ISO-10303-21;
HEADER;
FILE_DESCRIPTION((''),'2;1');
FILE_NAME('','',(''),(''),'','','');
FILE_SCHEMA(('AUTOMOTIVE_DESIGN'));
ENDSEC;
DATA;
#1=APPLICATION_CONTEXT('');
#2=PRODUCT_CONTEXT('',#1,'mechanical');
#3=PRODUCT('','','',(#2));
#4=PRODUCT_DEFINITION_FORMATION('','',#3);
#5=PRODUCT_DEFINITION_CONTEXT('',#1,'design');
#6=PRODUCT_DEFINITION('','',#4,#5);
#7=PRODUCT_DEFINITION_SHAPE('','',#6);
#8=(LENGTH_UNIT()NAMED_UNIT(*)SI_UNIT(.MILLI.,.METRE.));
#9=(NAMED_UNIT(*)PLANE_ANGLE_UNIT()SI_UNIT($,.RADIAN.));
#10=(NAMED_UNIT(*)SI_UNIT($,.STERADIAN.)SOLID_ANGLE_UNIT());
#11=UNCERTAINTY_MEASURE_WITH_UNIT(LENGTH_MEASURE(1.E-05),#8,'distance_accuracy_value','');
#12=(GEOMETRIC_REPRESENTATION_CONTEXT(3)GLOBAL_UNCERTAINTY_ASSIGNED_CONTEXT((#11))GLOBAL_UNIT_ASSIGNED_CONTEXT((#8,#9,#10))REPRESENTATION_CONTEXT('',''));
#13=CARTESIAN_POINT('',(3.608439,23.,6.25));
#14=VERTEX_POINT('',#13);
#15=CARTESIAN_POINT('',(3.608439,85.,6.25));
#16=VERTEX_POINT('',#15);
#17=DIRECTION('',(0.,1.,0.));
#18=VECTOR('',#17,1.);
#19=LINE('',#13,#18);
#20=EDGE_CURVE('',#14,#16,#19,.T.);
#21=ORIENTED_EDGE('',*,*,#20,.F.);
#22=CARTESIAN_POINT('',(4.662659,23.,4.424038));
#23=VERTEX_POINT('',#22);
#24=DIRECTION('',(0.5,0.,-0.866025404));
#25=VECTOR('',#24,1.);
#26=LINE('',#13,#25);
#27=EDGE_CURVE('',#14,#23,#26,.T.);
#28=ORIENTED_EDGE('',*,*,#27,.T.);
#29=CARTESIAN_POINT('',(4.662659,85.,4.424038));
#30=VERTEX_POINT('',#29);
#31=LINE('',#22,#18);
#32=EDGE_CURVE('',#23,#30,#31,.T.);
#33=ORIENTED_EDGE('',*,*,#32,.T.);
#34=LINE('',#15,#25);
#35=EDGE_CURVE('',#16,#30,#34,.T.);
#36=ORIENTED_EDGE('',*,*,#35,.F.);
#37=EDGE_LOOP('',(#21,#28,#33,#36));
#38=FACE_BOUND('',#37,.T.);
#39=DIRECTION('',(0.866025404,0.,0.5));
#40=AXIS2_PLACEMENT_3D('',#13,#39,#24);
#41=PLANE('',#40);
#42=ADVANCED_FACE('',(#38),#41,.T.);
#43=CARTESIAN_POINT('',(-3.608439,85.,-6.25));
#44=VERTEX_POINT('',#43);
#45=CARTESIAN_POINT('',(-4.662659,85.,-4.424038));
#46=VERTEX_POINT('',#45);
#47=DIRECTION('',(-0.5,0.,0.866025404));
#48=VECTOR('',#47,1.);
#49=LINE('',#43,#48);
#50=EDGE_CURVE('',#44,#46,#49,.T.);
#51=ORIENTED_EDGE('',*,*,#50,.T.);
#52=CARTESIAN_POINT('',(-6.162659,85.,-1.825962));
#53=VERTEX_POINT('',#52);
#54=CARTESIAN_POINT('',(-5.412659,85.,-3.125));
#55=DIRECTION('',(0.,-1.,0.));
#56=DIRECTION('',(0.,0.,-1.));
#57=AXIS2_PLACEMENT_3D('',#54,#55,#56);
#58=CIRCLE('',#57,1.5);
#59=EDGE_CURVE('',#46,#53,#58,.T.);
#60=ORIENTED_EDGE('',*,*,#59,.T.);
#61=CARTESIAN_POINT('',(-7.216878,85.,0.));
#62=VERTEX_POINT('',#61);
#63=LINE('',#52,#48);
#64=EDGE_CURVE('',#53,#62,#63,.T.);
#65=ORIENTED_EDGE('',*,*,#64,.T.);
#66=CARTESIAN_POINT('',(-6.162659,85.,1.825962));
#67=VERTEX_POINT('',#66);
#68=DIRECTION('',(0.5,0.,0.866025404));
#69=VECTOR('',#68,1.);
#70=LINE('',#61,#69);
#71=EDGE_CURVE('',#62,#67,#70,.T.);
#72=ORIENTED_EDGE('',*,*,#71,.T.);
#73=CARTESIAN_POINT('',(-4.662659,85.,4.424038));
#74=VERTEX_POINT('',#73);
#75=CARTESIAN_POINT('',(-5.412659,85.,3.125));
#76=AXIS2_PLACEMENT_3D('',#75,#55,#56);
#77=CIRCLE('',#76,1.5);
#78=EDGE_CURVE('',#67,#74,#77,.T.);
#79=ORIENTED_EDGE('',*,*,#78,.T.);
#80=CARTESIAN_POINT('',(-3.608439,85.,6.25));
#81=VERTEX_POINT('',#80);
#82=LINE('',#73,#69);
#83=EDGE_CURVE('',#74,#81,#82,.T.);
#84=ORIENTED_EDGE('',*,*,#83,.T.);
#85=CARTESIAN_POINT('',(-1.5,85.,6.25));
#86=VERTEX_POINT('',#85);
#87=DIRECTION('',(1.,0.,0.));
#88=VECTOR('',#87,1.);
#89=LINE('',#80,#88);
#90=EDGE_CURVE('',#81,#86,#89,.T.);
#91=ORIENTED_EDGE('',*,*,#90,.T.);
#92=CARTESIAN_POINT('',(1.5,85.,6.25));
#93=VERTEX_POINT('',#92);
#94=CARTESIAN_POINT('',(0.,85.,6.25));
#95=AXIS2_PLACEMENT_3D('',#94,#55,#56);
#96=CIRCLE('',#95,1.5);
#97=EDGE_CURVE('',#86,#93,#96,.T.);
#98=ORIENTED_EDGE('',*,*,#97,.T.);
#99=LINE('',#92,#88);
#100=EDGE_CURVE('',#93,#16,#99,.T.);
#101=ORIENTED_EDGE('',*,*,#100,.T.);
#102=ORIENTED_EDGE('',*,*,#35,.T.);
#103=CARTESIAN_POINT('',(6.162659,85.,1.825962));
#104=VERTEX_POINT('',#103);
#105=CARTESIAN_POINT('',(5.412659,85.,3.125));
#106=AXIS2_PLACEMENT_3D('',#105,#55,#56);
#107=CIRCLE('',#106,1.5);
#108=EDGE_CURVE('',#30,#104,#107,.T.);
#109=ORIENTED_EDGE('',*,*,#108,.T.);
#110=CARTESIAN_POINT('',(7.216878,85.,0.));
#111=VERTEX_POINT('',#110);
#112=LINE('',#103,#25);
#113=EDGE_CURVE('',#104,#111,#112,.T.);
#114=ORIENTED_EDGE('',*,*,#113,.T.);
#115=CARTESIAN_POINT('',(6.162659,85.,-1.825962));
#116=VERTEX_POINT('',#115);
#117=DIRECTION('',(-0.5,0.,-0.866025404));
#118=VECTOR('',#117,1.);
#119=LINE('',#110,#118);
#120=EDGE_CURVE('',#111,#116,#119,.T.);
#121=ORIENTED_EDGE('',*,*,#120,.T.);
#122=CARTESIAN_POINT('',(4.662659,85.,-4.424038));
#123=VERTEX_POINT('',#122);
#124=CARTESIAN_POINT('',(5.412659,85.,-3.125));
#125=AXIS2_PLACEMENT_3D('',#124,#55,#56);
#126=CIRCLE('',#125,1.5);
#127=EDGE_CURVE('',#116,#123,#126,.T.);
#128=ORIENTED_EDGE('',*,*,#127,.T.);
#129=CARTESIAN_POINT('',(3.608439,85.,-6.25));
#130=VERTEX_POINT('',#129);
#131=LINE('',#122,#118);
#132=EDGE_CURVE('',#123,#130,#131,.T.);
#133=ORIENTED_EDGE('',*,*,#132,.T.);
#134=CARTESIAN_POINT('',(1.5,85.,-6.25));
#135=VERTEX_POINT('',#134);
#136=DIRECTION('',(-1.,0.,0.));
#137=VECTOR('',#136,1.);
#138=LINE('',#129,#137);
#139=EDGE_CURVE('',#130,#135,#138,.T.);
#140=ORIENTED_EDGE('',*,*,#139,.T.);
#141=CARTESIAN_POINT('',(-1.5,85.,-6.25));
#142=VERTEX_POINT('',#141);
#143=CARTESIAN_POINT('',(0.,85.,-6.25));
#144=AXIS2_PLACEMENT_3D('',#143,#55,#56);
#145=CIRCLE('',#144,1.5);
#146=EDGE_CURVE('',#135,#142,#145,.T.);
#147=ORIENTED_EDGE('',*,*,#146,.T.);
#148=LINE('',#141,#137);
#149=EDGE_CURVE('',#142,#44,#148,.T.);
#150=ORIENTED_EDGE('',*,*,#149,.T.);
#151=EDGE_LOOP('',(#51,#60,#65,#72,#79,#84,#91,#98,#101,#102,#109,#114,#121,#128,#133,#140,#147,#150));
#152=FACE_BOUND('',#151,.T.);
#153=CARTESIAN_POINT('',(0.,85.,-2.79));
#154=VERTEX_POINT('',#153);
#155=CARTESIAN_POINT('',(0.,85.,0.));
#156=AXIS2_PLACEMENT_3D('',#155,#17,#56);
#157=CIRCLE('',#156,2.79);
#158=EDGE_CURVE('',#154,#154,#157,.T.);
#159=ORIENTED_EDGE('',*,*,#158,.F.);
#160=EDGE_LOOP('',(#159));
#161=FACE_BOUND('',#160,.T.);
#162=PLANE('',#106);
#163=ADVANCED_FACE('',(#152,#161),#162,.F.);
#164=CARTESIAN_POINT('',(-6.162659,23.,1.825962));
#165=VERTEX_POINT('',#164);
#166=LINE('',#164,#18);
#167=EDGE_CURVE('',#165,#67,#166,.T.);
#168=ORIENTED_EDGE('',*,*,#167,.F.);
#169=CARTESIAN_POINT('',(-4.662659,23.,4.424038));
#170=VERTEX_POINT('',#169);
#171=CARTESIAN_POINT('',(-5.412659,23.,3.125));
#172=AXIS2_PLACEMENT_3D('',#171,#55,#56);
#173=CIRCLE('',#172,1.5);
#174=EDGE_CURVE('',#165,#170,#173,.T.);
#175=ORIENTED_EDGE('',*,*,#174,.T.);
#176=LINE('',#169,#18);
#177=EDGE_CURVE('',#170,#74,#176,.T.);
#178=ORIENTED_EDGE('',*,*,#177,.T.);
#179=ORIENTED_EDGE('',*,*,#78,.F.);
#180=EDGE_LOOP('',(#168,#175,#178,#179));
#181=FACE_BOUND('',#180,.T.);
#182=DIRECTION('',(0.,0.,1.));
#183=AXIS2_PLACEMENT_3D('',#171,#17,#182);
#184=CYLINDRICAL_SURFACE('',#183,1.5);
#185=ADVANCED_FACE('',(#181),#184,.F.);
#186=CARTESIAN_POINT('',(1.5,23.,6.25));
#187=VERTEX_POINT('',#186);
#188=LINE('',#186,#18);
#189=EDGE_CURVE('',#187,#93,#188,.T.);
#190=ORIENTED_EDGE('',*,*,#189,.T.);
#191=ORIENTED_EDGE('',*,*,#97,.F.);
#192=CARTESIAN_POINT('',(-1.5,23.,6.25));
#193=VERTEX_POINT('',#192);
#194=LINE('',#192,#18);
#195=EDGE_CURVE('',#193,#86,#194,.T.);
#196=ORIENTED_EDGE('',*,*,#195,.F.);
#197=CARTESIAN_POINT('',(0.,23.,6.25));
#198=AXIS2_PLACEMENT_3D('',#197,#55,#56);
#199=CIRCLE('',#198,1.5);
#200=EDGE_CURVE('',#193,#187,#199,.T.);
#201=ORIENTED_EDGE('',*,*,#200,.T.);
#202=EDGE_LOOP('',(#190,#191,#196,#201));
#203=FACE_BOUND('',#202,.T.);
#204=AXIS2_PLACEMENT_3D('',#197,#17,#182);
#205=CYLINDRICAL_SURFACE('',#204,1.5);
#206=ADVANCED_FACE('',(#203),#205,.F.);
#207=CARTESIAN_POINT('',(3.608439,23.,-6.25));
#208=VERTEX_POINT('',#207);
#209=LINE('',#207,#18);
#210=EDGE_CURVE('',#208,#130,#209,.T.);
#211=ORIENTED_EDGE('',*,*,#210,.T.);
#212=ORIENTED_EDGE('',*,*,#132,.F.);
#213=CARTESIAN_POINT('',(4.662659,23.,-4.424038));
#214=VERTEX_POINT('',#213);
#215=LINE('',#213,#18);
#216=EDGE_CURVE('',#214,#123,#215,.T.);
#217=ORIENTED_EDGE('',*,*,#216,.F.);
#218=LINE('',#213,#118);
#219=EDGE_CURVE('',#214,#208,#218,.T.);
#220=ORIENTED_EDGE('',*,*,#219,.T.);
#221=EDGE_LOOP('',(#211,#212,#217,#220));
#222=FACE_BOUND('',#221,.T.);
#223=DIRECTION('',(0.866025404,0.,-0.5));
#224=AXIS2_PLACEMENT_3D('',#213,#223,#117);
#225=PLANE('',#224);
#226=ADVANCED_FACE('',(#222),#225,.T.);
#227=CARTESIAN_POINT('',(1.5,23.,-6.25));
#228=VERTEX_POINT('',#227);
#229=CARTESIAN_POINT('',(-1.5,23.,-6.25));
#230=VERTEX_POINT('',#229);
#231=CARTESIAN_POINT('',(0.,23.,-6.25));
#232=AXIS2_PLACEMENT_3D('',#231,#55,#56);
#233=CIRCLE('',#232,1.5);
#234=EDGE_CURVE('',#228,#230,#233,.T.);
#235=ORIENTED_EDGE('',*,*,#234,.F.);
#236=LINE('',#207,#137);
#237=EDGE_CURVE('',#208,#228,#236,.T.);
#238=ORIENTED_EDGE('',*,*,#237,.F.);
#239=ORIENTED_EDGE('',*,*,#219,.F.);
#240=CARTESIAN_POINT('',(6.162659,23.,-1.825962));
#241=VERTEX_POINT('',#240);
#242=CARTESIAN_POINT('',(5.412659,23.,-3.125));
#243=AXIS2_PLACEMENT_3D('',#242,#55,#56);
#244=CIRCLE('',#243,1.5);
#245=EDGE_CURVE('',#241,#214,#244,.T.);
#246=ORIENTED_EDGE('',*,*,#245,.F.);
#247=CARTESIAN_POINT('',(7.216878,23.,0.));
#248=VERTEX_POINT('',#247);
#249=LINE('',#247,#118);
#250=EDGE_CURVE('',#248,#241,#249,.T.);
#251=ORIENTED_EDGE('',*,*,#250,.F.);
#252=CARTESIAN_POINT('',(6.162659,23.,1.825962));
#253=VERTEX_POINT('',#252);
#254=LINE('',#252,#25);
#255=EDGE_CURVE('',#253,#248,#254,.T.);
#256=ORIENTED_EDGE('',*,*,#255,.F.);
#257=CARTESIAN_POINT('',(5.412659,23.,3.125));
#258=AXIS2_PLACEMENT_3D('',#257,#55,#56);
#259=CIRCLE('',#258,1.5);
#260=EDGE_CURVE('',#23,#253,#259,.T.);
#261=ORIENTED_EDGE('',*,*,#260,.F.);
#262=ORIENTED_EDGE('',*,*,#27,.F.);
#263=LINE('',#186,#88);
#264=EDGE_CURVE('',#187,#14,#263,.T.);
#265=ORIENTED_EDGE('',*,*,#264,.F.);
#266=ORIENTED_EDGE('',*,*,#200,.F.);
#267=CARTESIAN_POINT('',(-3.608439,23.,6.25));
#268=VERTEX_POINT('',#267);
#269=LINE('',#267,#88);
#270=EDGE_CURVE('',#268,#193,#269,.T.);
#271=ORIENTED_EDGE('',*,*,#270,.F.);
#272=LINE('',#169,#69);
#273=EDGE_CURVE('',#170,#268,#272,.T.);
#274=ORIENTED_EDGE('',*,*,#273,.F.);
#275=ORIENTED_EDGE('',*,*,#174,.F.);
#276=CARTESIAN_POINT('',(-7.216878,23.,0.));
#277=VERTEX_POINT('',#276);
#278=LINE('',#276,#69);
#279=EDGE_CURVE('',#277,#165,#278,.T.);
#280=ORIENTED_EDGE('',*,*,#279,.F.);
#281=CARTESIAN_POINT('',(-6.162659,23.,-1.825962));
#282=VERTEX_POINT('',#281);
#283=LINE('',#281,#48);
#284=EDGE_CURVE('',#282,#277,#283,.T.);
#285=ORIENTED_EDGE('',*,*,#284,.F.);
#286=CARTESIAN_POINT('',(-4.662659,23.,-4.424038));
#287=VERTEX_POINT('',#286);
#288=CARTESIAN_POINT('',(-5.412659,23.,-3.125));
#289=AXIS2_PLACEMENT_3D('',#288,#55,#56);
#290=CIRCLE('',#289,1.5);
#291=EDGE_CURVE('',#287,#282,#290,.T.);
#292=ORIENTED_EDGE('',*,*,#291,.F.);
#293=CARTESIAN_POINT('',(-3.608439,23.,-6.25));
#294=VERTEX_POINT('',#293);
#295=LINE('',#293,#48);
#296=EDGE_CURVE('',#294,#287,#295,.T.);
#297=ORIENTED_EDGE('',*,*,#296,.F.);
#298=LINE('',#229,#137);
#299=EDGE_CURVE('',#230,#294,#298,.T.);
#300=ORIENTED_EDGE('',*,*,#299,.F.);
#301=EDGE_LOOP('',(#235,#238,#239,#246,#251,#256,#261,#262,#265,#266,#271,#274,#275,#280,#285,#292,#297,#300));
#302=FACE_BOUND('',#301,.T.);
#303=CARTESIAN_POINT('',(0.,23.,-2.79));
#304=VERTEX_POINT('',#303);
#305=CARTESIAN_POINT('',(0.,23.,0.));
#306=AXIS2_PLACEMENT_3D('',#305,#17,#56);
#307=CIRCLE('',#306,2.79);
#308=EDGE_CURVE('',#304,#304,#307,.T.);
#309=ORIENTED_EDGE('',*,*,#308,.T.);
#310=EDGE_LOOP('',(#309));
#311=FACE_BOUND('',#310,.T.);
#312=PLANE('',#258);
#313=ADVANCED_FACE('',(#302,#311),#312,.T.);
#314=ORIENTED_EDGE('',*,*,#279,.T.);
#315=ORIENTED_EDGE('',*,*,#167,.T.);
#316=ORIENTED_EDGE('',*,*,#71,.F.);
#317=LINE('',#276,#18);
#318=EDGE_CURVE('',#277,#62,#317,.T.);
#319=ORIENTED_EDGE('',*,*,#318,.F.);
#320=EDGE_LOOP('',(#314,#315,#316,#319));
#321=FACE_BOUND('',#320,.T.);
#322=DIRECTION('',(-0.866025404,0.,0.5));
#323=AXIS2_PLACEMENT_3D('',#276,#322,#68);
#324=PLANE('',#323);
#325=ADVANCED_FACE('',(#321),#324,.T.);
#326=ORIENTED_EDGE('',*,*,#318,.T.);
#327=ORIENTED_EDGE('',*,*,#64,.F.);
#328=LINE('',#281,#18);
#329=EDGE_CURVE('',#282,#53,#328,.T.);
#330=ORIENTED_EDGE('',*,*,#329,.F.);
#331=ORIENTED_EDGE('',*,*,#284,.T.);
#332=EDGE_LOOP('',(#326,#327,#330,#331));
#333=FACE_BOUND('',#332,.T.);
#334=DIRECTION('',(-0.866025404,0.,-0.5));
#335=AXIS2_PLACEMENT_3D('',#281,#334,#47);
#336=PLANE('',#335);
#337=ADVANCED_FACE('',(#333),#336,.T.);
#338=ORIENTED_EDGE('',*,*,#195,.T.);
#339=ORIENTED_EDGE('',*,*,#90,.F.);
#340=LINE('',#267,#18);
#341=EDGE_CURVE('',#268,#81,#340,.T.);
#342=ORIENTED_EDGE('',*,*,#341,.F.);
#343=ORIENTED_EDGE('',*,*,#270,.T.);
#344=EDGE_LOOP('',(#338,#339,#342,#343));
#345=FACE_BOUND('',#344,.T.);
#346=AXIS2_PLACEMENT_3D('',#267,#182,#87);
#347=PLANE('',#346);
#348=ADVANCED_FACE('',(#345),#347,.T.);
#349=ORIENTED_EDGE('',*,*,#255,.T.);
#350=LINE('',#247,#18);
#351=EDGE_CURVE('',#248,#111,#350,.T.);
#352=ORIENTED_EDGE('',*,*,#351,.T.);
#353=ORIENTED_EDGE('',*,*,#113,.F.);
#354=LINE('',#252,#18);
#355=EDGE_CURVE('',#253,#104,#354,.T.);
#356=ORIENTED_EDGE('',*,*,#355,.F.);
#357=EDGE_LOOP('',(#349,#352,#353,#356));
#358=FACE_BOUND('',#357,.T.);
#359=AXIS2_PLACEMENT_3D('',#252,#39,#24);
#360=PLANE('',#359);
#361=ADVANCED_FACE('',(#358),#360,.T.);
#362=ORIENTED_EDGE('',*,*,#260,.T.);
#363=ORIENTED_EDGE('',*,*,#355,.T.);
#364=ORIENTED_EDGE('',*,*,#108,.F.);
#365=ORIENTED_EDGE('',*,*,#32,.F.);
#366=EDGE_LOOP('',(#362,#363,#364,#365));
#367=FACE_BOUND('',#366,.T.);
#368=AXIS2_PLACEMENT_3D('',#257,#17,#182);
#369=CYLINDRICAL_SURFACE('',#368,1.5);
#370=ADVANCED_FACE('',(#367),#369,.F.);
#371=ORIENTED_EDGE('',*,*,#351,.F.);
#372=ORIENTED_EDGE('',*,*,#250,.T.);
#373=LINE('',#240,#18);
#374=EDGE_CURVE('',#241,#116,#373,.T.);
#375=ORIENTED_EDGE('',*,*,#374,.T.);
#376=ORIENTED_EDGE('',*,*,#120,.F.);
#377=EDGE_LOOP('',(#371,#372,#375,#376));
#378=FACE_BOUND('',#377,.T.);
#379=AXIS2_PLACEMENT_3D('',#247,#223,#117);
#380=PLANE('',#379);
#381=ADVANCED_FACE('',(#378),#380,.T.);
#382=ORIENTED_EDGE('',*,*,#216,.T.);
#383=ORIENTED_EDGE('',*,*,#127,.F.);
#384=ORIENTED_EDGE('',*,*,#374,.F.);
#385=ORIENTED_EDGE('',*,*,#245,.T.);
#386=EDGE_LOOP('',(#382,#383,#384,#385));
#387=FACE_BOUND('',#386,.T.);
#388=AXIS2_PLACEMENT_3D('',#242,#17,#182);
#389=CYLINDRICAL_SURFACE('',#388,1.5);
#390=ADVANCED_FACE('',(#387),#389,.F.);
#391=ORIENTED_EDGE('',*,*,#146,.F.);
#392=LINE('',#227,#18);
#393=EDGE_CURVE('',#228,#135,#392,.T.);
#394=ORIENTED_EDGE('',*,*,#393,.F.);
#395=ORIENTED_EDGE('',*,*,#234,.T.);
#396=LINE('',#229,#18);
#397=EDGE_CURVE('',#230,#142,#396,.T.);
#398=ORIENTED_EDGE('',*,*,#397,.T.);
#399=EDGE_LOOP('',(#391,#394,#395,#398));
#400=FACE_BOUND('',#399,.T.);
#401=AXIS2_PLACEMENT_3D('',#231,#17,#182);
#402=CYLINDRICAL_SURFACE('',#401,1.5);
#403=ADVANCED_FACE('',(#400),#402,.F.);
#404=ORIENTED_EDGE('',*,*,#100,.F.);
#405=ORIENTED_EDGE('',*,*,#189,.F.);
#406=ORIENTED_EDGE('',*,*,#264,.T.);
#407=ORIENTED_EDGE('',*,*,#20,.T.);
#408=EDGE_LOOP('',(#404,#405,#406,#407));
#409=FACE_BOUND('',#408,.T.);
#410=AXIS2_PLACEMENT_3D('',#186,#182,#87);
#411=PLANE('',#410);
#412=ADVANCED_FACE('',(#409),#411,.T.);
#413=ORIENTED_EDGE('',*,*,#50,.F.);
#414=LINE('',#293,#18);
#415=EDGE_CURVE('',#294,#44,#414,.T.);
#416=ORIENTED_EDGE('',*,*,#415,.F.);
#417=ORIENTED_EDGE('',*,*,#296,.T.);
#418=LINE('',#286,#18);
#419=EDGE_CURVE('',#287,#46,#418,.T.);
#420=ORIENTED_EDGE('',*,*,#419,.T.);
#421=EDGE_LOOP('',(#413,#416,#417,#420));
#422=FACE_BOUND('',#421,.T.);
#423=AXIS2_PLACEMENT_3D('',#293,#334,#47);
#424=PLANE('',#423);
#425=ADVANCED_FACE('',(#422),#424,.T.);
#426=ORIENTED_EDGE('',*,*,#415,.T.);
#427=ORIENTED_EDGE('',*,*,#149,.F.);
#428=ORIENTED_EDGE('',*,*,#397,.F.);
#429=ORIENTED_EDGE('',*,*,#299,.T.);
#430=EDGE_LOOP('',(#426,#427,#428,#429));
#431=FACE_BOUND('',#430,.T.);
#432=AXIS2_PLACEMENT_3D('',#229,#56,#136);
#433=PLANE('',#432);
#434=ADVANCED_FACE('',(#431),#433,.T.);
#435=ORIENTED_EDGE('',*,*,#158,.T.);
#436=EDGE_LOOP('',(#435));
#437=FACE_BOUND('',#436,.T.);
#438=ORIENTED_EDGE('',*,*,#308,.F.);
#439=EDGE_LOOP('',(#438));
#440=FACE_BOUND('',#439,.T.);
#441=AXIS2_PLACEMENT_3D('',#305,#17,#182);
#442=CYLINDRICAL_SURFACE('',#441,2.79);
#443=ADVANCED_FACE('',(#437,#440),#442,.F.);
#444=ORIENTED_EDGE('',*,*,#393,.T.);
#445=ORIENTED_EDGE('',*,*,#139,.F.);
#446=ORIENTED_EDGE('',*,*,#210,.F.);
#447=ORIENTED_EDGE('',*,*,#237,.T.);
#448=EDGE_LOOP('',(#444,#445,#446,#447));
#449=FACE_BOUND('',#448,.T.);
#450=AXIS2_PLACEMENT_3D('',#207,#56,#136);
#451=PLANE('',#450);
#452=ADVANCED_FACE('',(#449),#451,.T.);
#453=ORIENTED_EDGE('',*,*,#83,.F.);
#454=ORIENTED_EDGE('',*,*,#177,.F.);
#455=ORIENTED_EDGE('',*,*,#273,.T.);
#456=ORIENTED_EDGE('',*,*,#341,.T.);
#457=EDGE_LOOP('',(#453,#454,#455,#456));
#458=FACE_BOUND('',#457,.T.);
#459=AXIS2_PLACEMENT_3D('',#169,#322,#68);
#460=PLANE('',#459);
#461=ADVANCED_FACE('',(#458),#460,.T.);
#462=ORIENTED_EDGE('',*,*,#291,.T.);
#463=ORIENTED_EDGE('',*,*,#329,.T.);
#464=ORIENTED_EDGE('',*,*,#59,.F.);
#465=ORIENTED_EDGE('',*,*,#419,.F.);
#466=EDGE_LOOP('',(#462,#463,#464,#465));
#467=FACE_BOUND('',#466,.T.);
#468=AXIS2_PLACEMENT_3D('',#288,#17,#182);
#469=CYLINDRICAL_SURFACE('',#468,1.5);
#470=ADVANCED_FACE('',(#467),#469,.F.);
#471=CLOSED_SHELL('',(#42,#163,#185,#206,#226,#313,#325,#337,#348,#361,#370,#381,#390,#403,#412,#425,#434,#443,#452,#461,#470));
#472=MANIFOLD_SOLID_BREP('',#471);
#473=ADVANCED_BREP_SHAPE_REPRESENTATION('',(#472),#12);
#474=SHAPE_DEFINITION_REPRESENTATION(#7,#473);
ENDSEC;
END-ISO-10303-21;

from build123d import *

# Parameters (mm, degrees)
ESBO_O1_R                = 2.79
RESSALTO_EXTRUS_O1_DEPTH = 62


with BuildPart() as part:
    # Esboço1 → Ressalto-extrusão1 (new body)
    with BuildSketch(Plane(origin=(0, 85, 0), x_dir=(1, 0, 0), z_dir=(0, 1, 0))):
        with BuildLine():
            Line((6.162658774, -1.825961894), (7.216878365, 0))
            Line((7.216878365, 0), (6.162658774, 1.825961894))
            ThreePointArc((6.162658774, 1.825961894), (4.113620668, 2.375), (4.662658774, 4.424038106))
            Line((4.662658774, 4.424038106), (3.608439182, 6.25))
            Line((3.608439182, 6.25), (1.5, 6.25))
            ThreePointArc((1.5, 6.25), (0, 4.75), (-1.5, 6.25))
            Line((-1.5, 6.25), (-3.608439182, 6.25))
            Line((-3.608439182, 6.25), (-4.662658774, 4.424038106))
            ThreePointArc((-4.662658774, 4.424038106), (-4.113620668, 2.375), (-6.162658774, 1.825961894))
            Line((-6.162658774, 1.825961894), (-7.216878365, 0))
            Line((-7.216878365, 0), (-6.162658774, -1.825961894))
            ThreePointArc((-6.162658774, -1.825961894), (-4.113620668, -2.375), (-4.662658774, -4.424038106))
            Line((-4.662658774, -4.424038106), (-3.608439182, -6.25))
            Line((-3.608439182, -6.25), (-1.5, -6.25))
            ThreePointArc((-1.5, -6.25), (0, -4.75), (1.5, -6.25))
            Line((1.5, -6.25), (3.608439182, -6.25))
            Line((3.608439182, -6.25), (4.662658774, -4.424038106))
            ThreePointArc((4.662658774, -4.424038106), (4.113620668, -2.375), (6.162658774, -1.825961894))
        make_face()
        Circle(ESBO_O1_R, mode=Mode.SUBTRACT)
    extrude(amount=-RESSALTO_EXTRUS_O1_DEPTH)


solid = part.part
